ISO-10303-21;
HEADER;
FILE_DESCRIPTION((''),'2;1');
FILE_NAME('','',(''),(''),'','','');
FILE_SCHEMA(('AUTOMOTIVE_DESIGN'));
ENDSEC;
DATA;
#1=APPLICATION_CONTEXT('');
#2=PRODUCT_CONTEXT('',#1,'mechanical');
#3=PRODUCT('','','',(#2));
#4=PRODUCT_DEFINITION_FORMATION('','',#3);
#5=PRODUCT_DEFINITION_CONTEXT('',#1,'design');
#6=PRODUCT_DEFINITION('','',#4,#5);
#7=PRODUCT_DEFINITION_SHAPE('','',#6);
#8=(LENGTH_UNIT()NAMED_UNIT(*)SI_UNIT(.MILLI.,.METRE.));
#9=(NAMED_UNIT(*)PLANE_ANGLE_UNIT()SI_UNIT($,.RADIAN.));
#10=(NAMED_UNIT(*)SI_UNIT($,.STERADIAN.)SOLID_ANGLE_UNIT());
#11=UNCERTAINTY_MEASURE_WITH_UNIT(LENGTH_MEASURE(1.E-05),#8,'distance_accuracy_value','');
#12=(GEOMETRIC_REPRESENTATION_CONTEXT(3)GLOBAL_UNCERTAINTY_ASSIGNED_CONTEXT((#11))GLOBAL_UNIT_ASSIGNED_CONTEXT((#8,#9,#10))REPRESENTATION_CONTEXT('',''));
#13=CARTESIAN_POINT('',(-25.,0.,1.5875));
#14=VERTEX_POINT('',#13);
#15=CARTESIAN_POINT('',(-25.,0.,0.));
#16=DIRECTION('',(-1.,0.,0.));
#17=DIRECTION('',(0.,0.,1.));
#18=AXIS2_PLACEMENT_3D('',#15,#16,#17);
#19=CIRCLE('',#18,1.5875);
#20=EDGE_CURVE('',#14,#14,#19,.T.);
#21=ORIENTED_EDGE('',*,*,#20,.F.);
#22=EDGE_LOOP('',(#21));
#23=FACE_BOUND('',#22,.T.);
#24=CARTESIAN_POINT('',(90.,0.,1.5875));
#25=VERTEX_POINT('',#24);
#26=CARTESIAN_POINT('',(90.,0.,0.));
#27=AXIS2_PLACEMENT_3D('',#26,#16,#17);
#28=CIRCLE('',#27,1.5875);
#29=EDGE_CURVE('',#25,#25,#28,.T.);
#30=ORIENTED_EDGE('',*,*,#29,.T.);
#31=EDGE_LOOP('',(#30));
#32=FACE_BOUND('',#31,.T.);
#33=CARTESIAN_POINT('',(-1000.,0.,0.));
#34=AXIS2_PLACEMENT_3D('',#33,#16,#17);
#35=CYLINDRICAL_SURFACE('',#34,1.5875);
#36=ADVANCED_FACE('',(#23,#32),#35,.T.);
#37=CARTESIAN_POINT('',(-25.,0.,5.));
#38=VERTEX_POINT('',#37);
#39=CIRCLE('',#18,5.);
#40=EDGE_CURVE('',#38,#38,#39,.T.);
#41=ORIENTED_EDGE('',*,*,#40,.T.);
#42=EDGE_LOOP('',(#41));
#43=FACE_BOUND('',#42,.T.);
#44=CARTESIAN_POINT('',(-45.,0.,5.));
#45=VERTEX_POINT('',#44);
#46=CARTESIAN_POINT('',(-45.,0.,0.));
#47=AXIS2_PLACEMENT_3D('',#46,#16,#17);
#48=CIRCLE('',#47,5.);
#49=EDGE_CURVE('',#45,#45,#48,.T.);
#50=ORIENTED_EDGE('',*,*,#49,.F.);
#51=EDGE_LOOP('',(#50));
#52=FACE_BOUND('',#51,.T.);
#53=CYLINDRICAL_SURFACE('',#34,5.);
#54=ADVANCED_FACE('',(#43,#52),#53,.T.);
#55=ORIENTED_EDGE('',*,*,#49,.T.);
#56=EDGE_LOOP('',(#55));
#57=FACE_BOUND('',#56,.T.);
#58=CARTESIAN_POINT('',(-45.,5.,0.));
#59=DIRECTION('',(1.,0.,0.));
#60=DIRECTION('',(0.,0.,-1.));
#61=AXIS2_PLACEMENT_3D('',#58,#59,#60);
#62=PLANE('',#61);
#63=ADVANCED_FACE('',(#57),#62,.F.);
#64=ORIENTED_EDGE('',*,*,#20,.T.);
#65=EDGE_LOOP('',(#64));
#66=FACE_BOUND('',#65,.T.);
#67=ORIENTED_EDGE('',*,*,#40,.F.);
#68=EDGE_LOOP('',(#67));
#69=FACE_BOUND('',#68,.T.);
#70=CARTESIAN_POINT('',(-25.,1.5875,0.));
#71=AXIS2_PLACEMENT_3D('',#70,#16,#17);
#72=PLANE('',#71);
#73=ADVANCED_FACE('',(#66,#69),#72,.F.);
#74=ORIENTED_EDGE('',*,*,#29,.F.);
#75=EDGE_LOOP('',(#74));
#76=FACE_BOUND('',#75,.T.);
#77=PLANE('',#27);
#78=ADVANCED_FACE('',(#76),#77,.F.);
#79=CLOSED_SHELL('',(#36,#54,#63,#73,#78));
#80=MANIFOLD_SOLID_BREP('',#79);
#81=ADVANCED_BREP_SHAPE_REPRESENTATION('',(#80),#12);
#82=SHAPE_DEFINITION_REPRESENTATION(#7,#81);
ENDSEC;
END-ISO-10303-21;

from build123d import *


with BuildPart() as part:
    # TC_Probe Sketch → TC_Probe (revolve)
    with BuildSketch(Plane.XY):
        Polygon((90, 0), (90, 1.5875), (-25, 1.5875), (-25, 5), (-45, 5), (-45, 0), align=None)
    revolve(axis=Axis((-1000, 0, 0), (1, 0, 0)))


solid = part.part
